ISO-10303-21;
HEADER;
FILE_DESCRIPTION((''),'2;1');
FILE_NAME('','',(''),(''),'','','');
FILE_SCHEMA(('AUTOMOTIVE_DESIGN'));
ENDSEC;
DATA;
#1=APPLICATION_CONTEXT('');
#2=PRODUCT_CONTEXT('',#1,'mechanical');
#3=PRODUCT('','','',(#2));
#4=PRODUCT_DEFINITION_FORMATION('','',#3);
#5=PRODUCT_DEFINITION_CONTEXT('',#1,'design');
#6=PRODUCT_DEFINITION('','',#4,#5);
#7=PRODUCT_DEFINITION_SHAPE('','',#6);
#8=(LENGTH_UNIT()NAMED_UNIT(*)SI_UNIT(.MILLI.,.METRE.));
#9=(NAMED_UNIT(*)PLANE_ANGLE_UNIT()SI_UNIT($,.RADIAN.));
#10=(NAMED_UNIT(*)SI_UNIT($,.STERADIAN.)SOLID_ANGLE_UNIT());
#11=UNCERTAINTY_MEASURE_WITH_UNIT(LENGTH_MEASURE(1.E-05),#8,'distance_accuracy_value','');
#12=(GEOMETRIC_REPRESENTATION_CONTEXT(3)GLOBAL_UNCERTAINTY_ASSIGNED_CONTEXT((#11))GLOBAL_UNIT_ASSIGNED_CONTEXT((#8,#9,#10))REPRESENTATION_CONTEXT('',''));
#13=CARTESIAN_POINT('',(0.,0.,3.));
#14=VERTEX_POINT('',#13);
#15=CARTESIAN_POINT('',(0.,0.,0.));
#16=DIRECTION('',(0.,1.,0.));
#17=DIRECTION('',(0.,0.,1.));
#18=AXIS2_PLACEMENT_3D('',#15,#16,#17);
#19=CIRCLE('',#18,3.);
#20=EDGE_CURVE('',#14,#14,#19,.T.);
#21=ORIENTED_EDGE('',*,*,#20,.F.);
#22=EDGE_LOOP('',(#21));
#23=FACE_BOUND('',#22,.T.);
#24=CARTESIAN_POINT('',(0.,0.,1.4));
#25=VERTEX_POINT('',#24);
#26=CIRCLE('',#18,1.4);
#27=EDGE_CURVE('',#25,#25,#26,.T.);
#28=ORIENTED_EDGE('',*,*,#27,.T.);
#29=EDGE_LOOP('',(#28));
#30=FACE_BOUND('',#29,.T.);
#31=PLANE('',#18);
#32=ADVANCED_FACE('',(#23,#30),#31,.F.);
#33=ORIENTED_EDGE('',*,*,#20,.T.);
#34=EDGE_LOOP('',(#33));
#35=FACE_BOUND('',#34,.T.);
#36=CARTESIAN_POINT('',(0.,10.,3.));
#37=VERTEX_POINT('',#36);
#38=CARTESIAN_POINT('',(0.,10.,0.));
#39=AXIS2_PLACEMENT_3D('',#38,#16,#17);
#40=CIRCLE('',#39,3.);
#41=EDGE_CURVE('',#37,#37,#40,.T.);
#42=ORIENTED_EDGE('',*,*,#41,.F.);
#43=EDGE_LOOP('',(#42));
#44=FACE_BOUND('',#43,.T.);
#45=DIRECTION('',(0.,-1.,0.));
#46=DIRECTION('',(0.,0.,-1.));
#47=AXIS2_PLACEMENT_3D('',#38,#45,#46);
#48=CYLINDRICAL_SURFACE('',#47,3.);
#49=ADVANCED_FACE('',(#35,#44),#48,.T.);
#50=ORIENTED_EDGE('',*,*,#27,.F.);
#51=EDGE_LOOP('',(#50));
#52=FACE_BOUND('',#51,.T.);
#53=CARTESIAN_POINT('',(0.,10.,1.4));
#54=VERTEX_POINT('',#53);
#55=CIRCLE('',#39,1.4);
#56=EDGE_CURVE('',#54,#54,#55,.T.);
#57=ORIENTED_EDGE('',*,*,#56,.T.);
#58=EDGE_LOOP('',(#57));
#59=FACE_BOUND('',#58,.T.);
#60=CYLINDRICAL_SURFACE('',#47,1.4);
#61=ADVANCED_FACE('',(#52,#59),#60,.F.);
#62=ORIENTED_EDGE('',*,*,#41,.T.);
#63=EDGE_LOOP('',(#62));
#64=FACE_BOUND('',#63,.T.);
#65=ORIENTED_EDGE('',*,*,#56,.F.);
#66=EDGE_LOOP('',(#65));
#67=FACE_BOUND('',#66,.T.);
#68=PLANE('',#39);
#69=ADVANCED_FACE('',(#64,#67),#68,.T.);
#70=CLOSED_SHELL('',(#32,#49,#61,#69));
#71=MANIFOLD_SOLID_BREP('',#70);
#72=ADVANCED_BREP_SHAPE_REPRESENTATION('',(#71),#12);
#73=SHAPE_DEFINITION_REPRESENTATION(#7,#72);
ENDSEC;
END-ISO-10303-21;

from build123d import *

# Parameters (mm, degrees)
ESQUISSE1_R        = 3
ESQUISSE1_R_2      = 1.4
BOSS_EXTRU_1_DEPTH = 10


with BuildPart() as part:
    # Esquisse1 → Boss.-Extru.1 (new body)
    with BuildSketch(Plane(origin=(0, 0, 0), x_dir=(1, 0, 0), z_dir=(0, 1, 0))):
        with Locations(Location((0, 0, 0), (0, 0, 270))):
            Circle(ESQUISSE1_R)
        with Locations(Location((0, 0, 0), (0, 0, 270))):
            Circle(ESQUISSE1_R_2, mode=Mode.SUBTRACT)
    extrude(amount=BOSS_EXTRU_1_DEPTH)


solid = part.part
